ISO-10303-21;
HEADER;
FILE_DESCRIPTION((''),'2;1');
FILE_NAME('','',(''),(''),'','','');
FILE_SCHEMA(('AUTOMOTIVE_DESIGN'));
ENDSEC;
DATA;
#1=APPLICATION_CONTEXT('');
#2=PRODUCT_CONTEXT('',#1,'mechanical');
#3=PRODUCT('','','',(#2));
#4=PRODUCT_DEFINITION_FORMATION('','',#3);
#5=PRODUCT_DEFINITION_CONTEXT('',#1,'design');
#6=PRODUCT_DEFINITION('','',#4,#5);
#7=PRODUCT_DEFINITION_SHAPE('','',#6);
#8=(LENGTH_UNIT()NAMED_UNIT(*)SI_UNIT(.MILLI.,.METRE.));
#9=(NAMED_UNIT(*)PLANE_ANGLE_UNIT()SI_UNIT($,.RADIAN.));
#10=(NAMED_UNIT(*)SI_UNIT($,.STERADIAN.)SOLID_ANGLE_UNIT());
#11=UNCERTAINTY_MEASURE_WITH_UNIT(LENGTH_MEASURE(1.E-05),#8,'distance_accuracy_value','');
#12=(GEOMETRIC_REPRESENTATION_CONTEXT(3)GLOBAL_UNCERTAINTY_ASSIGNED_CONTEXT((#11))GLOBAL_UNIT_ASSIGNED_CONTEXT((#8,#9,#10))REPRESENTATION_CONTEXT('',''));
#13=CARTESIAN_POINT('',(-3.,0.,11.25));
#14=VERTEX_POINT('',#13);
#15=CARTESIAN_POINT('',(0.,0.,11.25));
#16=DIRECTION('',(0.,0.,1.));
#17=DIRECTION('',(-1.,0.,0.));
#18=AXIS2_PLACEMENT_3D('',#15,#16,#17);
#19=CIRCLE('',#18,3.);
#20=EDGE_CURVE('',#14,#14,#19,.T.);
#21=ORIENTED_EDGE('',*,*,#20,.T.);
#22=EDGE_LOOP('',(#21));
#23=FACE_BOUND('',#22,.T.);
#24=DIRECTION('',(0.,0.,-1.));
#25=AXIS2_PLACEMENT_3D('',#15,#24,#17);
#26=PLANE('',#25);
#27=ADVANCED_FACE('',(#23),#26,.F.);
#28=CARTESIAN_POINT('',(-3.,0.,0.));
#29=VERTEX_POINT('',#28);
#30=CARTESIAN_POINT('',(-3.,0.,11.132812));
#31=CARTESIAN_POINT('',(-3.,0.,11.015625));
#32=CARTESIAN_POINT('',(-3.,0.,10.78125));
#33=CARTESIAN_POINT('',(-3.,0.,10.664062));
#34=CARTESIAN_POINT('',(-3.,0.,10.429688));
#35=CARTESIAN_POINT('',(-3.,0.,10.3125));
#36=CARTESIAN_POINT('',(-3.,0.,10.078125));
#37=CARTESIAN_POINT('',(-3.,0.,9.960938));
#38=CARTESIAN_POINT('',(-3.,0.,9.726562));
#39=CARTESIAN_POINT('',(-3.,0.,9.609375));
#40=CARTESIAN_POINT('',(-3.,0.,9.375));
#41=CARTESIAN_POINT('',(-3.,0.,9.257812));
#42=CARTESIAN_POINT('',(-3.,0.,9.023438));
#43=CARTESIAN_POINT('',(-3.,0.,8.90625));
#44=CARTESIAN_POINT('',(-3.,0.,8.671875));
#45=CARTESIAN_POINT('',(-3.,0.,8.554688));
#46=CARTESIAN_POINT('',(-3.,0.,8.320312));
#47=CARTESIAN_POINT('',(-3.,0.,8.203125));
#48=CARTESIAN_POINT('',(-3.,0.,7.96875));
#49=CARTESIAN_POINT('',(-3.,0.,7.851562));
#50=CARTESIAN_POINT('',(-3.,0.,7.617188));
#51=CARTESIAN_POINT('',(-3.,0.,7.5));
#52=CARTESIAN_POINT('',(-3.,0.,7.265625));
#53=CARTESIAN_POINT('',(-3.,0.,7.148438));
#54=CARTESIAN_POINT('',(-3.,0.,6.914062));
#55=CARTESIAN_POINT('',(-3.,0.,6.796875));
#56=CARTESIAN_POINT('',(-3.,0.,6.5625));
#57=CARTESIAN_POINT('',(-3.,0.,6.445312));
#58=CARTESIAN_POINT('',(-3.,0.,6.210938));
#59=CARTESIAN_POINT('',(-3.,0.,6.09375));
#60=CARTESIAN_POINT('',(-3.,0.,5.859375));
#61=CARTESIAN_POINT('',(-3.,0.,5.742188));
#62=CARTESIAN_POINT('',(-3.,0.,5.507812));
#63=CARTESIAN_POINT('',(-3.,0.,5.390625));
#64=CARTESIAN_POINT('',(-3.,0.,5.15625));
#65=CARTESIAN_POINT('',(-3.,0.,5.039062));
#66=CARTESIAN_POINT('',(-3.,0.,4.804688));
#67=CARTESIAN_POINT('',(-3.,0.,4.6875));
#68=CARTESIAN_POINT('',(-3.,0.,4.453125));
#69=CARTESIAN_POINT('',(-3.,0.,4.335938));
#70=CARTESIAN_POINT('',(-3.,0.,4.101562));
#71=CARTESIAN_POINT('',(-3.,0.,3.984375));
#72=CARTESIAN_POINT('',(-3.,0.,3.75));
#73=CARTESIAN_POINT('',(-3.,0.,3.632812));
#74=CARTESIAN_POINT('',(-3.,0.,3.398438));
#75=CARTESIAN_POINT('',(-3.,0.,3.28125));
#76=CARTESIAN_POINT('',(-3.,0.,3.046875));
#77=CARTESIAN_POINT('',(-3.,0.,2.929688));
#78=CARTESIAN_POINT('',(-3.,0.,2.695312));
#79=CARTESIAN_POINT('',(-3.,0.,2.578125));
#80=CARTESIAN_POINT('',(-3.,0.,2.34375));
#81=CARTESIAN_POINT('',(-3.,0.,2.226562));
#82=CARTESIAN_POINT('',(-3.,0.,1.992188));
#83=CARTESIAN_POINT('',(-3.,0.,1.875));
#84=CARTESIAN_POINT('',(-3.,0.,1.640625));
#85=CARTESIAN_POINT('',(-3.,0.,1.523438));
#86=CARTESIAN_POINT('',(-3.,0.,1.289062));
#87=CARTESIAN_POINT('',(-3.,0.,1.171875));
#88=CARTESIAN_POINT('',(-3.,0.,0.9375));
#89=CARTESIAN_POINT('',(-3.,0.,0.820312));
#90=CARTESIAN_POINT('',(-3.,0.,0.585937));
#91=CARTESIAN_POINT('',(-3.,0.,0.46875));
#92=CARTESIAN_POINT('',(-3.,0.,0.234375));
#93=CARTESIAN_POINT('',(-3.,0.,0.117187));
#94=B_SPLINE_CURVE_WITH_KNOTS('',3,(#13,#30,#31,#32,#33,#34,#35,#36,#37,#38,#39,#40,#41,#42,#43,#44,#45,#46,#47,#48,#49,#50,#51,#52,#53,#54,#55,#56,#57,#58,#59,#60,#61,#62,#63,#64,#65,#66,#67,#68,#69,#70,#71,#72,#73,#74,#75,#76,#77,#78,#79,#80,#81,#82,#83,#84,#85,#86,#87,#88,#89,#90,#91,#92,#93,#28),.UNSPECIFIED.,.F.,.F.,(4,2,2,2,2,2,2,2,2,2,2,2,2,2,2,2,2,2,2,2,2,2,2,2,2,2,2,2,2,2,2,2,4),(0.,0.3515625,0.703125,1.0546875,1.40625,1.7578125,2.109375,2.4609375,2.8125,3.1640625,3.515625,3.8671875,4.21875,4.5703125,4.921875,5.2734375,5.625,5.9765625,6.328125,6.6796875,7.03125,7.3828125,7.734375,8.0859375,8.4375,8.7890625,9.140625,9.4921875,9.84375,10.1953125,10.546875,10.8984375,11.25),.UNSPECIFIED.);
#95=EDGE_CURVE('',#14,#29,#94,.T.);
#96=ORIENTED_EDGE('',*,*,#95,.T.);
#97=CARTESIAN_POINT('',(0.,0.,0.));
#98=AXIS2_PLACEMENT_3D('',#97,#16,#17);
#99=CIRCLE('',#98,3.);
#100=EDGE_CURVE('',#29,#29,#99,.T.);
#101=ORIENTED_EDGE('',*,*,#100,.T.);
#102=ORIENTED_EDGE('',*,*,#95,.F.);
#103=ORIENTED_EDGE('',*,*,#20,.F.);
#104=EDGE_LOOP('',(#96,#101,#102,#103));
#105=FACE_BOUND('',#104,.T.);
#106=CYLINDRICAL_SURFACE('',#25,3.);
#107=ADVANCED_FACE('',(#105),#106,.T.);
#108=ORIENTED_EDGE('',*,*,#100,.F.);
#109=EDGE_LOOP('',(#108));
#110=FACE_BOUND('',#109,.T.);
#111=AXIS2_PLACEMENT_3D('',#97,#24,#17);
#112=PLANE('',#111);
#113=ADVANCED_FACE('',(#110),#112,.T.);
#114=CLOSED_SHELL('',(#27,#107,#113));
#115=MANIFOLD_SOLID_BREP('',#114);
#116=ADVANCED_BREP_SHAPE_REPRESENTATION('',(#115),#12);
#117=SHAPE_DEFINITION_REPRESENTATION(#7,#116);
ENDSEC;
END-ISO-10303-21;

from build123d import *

# Parameters (mm, degrees)
SKETCH1_R           = 3
BOSS_EXTRUDE1_DEPTH = 11.25


with BuildPart() as part:
    # Sketch1 → Boss-Extrude1 (new body)
    with BuildSketch(Plane.XY):
        with Locations(Location((0, 0, 0), (0, 0, 180))):
            Circle(SKETCH1_R)
    extrude(amount=BOSS_EXTRUDE1_DEPTH)


solid = part.part
